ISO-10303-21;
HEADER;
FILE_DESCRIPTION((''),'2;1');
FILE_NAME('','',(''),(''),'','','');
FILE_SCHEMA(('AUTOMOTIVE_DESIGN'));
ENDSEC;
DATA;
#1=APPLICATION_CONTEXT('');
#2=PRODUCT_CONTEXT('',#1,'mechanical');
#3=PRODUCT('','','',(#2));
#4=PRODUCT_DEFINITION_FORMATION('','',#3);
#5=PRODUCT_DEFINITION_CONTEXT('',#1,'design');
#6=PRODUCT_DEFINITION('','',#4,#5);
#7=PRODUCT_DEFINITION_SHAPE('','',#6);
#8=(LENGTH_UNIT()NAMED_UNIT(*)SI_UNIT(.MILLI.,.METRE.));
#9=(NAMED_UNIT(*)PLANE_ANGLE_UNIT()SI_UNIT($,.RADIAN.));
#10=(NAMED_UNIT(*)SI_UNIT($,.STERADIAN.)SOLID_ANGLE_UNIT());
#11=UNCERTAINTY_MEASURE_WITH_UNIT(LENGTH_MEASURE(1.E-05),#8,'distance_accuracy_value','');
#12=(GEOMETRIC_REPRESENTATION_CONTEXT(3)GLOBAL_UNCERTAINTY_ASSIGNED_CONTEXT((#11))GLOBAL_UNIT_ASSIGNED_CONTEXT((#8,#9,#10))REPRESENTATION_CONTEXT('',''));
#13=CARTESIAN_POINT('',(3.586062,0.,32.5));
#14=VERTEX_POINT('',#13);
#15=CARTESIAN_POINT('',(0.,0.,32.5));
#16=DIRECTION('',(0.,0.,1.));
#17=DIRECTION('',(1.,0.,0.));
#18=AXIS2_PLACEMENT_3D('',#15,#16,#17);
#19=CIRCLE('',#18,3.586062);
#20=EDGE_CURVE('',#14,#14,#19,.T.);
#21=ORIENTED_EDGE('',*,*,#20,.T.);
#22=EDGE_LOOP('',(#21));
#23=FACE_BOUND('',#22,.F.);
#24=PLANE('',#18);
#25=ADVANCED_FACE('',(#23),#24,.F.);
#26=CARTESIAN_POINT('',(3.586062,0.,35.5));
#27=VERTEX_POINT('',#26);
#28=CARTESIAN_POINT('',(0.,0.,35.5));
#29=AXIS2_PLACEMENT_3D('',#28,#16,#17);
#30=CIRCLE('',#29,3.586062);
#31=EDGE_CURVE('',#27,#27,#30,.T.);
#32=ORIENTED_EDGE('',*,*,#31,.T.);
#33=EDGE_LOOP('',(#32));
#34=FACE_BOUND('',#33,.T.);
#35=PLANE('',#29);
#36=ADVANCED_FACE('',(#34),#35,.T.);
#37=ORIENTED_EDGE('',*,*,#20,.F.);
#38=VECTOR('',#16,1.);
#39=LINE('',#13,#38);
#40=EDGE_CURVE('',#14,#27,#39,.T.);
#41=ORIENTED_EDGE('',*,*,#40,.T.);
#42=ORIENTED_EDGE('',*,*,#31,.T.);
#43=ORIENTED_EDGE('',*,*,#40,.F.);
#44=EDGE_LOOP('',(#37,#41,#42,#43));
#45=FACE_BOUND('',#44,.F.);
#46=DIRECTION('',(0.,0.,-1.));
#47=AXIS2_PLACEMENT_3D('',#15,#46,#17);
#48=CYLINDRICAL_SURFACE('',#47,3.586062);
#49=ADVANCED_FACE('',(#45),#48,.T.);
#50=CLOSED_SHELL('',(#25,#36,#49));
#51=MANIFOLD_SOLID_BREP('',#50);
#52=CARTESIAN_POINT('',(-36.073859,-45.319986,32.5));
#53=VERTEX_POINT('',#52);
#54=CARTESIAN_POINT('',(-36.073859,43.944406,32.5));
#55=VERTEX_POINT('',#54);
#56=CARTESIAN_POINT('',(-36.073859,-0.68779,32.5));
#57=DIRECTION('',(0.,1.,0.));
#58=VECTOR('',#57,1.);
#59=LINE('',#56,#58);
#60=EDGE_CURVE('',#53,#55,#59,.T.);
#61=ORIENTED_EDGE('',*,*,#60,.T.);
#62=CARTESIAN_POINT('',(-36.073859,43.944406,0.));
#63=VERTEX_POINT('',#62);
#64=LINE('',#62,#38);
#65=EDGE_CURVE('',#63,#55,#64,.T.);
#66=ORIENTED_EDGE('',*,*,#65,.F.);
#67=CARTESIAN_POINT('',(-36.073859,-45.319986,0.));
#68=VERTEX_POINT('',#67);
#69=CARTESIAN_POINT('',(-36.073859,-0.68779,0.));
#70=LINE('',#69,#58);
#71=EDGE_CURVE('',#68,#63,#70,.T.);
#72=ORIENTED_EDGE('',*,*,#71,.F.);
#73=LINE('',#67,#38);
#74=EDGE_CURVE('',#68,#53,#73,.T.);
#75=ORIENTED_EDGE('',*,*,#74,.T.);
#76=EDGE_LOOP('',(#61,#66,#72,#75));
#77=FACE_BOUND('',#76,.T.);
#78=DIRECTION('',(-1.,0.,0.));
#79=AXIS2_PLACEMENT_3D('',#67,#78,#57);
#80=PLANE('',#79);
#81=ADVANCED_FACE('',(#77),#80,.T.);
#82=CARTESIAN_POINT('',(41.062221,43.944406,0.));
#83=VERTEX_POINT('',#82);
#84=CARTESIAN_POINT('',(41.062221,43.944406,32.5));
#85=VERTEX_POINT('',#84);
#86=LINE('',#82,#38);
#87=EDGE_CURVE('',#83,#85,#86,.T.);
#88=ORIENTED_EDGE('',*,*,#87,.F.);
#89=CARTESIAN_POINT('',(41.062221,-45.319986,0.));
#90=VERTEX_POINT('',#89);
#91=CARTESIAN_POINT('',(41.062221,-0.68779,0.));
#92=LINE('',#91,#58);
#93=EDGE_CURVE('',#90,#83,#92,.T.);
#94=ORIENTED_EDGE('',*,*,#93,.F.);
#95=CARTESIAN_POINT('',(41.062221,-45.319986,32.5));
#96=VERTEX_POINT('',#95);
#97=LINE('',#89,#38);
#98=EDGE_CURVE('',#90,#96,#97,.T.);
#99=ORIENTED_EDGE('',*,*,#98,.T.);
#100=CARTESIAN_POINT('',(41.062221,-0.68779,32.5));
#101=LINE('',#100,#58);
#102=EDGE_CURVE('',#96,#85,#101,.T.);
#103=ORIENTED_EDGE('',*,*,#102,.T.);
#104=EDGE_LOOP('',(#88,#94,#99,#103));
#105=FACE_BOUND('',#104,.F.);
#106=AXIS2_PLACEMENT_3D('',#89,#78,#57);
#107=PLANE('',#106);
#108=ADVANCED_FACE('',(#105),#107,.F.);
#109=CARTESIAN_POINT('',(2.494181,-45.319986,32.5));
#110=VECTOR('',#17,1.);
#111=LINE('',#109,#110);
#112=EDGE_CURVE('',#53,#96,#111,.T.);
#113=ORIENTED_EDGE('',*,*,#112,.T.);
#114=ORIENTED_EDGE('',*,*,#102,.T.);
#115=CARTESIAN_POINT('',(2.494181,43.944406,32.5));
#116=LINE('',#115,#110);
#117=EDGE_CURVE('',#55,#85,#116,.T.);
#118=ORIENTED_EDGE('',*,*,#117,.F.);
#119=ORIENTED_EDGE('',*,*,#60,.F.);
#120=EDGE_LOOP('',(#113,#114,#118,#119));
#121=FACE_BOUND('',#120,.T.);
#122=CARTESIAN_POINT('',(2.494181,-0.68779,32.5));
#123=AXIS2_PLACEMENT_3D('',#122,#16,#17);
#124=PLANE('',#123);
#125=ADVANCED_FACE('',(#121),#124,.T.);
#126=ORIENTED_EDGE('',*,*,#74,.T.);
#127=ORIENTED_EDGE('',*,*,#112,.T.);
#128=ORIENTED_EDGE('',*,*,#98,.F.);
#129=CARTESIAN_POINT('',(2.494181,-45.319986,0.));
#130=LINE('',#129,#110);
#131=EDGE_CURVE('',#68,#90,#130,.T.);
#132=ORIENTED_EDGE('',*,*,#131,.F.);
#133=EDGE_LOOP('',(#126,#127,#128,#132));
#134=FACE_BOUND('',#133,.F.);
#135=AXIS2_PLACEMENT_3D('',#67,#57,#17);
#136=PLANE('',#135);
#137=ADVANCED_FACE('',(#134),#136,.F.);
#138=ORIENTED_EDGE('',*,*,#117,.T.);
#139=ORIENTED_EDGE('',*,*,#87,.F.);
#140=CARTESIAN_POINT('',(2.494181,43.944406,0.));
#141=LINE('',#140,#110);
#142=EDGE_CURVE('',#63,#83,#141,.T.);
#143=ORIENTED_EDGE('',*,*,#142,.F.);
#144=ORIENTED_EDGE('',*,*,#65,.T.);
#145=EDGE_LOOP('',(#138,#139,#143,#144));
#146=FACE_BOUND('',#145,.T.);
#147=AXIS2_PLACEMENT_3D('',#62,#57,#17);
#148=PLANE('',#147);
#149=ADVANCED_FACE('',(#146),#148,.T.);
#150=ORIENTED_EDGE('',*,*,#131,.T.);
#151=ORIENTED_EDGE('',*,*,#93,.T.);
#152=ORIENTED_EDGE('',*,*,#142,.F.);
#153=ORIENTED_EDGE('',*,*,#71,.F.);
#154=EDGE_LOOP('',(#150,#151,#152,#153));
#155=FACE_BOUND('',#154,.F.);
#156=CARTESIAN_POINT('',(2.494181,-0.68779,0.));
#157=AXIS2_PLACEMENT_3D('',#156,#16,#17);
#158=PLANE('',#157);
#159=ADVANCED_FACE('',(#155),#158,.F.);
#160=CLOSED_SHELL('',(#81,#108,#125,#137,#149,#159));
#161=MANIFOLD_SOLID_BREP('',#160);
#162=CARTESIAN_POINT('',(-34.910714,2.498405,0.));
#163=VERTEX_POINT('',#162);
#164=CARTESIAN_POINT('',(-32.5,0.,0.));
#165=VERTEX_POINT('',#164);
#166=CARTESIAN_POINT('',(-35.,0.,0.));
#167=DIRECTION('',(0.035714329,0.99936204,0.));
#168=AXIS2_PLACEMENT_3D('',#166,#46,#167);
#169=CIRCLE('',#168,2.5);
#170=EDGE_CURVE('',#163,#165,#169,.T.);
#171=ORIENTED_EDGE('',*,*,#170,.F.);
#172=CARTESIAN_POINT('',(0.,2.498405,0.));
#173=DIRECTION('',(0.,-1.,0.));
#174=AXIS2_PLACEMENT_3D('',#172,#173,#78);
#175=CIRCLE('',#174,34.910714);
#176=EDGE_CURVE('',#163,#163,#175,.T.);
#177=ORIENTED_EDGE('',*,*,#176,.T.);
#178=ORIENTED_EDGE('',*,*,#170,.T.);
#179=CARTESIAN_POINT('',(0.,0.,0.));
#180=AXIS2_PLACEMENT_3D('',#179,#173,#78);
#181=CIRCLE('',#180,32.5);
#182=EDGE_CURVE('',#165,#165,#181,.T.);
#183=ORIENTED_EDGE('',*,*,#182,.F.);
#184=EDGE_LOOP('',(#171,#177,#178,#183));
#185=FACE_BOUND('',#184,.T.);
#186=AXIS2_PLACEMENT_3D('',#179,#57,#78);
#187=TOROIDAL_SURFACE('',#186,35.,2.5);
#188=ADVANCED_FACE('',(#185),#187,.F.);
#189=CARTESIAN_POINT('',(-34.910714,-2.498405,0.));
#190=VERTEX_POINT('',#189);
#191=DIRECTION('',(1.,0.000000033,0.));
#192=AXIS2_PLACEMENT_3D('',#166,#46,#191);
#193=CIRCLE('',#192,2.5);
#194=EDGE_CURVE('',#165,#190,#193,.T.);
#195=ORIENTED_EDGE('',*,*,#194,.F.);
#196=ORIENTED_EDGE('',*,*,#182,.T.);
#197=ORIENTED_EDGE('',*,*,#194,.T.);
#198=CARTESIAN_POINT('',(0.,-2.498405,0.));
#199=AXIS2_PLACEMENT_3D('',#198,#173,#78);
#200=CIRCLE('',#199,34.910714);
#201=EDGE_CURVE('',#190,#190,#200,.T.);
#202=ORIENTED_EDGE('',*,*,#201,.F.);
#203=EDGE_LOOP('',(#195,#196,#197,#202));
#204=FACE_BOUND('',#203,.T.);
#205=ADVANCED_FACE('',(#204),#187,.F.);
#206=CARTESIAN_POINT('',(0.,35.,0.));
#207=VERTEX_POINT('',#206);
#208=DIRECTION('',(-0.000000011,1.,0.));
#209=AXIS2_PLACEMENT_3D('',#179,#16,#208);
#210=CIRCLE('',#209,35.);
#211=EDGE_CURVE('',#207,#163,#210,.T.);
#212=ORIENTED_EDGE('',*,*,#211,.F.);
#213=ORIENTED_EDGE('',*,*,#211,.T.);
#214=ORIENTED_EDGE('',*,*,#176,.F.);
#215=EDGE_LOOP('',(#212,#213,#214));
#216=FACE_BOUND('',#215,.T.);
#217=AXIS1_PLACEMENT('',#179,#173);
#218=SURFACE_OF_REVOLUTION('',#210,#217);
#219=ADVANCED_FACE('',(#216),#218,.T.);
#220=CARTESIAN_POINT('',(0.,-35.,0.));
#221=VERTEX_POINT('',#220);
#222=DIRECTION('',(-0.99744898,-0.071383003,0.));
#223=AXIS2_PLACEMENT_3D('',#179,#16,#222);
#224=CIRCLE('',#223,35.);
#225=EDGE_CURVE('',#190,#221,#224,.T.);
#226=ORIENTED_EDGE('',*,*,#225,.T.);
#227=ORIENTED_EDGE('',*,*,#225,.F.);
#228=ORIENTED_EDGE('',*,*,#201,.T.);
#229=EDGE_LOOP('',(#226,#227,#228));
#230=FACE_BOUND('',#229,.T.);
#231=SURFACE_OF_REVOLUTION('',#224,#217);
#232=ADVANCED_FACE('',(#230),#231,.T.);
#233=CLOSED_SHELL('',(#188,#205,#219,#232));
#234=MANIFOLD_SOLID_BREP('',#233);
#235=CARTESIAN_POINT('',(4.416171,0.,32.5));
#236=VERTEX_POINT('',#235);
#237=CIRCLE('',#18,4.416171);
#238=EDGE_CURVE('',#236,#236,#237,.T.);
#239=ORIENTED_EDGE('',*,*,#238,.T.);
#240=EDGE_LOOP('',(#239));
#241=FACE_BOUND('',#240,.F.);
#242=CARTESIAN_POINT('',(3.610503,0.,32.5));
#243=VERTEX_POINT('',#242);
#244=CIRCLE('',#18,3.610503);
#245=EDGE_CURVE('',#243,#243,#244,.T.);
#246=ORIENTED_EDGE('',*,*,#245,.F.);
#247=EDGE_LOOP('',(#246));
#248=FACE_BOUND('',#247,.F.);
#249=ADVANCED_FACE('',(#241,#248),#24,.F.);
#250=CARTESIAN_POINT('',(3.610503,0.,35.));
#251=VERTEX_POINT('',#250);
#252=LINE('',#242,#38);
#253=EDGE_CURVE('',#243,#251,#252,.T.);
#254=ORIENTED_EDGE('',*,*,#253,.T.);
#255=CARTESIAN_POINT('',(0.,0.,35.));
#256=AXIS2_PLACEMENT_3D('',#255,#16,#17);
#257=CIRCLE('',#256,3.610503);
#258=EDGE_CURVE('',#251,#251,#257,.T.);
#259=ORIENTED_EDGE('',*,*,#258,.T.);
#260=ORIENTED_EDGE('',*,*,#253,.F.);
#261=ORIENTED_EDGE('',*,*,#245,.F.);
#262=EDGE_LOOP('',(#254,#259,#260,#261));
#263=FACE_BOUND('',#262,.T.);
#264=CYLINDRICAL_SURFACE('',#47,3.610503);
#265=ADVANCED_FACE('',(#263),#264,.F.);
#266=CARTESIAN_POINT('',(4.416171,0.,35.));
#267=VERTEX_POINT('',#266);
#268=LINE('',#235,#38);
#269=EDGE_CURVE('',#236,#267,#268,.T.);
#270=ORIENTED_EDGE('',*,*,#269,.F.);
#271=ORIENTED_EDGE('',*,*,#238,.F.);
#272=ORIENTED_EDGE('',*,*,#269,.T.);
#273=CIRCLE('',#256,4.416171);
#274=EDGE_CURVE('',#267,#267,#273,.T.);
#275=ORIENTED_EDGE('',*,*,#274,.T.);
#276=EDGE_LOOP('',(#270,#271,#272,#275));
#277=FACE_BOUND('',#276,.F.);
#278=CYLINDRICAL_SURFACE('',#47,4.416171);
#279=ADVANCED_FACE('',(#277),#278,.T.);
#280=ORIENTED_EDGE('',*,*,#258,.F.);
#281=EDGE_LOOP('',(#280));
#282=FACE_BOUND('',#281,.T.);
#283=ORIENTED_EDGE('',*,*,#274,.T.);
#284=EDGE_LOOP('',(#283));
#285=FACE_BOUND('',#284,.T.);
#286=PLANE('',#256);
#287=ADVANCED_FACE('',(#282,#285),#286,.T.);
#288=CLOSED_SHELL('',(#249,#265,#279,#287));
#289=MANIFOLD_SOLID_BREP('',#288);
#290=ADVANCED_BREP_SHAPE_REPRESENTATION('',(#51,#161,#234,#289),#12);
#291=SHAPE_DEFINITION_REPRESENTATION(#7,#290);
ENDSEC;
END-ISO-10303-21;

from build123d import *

# Parameters (mm, degrees)
F2_W     = 77.136081
F2_H     = 89.264393
F3_DEPTH = 32.5
F4_R     = 4.416171
F4_R_2   = 3.610503
F6_DEPTH = 2.5
F5_R     = 3.586062
F7_DEPTH = 3


with BuildPart() as f1:
    # F0 (on Top) → F1 (revolve)
    with BuildSketch(Plane.XY):
        with BuildLine():
            Line((0, -35), (0, 35))
            ThreePointArc((0, 35), (-23.849065, 25.616832), (-34.910714, 2.498405))
            ThreePointArc((-34.910714, 2.498405), (-33.200943, 1.735913), (-32.5, 0))
            ThreePointArc((-32.5, 0), (-33.200943, -1.735913), (-34.910714, -2.498405))
            ThreePointArc((-34.910714, -2.498405), (-23.849065, -25.616832), (0, -35))
        make_face()
    revolve(axis=Axis((0, 0, 0), (0, -1, 0)))


with BuildPart() as f3:
    # F2 (on Top) → F3 (new body)
    with BuildSketch(Plane.XY):
        with Locations((2.494181, -0.68779)):
            Rectangle(F2_W, F2_H)
    extrude(amount=F3_DEPTH)


with BuildPart() as f6:
    # F4 (on face) → F6 (new body)
    with BuildSketch(Plane.XY.offset(32.5)):
        Circle(F4_R)
        Circle(F4_R_2, mode=Mode.SUBTRACT)
    extrude(amount=F6_DEPTH)


with BuildPart() as f7:
    # F5 (on face) → F7 (new body)
    with BuildSketch(Plane.XY.offset(32.5)):
        Circle(F5_R)
    extrude(amount=F7_DEPTH)


solid = Compound([f1.part, f3.part, f6.part, f7.part])
